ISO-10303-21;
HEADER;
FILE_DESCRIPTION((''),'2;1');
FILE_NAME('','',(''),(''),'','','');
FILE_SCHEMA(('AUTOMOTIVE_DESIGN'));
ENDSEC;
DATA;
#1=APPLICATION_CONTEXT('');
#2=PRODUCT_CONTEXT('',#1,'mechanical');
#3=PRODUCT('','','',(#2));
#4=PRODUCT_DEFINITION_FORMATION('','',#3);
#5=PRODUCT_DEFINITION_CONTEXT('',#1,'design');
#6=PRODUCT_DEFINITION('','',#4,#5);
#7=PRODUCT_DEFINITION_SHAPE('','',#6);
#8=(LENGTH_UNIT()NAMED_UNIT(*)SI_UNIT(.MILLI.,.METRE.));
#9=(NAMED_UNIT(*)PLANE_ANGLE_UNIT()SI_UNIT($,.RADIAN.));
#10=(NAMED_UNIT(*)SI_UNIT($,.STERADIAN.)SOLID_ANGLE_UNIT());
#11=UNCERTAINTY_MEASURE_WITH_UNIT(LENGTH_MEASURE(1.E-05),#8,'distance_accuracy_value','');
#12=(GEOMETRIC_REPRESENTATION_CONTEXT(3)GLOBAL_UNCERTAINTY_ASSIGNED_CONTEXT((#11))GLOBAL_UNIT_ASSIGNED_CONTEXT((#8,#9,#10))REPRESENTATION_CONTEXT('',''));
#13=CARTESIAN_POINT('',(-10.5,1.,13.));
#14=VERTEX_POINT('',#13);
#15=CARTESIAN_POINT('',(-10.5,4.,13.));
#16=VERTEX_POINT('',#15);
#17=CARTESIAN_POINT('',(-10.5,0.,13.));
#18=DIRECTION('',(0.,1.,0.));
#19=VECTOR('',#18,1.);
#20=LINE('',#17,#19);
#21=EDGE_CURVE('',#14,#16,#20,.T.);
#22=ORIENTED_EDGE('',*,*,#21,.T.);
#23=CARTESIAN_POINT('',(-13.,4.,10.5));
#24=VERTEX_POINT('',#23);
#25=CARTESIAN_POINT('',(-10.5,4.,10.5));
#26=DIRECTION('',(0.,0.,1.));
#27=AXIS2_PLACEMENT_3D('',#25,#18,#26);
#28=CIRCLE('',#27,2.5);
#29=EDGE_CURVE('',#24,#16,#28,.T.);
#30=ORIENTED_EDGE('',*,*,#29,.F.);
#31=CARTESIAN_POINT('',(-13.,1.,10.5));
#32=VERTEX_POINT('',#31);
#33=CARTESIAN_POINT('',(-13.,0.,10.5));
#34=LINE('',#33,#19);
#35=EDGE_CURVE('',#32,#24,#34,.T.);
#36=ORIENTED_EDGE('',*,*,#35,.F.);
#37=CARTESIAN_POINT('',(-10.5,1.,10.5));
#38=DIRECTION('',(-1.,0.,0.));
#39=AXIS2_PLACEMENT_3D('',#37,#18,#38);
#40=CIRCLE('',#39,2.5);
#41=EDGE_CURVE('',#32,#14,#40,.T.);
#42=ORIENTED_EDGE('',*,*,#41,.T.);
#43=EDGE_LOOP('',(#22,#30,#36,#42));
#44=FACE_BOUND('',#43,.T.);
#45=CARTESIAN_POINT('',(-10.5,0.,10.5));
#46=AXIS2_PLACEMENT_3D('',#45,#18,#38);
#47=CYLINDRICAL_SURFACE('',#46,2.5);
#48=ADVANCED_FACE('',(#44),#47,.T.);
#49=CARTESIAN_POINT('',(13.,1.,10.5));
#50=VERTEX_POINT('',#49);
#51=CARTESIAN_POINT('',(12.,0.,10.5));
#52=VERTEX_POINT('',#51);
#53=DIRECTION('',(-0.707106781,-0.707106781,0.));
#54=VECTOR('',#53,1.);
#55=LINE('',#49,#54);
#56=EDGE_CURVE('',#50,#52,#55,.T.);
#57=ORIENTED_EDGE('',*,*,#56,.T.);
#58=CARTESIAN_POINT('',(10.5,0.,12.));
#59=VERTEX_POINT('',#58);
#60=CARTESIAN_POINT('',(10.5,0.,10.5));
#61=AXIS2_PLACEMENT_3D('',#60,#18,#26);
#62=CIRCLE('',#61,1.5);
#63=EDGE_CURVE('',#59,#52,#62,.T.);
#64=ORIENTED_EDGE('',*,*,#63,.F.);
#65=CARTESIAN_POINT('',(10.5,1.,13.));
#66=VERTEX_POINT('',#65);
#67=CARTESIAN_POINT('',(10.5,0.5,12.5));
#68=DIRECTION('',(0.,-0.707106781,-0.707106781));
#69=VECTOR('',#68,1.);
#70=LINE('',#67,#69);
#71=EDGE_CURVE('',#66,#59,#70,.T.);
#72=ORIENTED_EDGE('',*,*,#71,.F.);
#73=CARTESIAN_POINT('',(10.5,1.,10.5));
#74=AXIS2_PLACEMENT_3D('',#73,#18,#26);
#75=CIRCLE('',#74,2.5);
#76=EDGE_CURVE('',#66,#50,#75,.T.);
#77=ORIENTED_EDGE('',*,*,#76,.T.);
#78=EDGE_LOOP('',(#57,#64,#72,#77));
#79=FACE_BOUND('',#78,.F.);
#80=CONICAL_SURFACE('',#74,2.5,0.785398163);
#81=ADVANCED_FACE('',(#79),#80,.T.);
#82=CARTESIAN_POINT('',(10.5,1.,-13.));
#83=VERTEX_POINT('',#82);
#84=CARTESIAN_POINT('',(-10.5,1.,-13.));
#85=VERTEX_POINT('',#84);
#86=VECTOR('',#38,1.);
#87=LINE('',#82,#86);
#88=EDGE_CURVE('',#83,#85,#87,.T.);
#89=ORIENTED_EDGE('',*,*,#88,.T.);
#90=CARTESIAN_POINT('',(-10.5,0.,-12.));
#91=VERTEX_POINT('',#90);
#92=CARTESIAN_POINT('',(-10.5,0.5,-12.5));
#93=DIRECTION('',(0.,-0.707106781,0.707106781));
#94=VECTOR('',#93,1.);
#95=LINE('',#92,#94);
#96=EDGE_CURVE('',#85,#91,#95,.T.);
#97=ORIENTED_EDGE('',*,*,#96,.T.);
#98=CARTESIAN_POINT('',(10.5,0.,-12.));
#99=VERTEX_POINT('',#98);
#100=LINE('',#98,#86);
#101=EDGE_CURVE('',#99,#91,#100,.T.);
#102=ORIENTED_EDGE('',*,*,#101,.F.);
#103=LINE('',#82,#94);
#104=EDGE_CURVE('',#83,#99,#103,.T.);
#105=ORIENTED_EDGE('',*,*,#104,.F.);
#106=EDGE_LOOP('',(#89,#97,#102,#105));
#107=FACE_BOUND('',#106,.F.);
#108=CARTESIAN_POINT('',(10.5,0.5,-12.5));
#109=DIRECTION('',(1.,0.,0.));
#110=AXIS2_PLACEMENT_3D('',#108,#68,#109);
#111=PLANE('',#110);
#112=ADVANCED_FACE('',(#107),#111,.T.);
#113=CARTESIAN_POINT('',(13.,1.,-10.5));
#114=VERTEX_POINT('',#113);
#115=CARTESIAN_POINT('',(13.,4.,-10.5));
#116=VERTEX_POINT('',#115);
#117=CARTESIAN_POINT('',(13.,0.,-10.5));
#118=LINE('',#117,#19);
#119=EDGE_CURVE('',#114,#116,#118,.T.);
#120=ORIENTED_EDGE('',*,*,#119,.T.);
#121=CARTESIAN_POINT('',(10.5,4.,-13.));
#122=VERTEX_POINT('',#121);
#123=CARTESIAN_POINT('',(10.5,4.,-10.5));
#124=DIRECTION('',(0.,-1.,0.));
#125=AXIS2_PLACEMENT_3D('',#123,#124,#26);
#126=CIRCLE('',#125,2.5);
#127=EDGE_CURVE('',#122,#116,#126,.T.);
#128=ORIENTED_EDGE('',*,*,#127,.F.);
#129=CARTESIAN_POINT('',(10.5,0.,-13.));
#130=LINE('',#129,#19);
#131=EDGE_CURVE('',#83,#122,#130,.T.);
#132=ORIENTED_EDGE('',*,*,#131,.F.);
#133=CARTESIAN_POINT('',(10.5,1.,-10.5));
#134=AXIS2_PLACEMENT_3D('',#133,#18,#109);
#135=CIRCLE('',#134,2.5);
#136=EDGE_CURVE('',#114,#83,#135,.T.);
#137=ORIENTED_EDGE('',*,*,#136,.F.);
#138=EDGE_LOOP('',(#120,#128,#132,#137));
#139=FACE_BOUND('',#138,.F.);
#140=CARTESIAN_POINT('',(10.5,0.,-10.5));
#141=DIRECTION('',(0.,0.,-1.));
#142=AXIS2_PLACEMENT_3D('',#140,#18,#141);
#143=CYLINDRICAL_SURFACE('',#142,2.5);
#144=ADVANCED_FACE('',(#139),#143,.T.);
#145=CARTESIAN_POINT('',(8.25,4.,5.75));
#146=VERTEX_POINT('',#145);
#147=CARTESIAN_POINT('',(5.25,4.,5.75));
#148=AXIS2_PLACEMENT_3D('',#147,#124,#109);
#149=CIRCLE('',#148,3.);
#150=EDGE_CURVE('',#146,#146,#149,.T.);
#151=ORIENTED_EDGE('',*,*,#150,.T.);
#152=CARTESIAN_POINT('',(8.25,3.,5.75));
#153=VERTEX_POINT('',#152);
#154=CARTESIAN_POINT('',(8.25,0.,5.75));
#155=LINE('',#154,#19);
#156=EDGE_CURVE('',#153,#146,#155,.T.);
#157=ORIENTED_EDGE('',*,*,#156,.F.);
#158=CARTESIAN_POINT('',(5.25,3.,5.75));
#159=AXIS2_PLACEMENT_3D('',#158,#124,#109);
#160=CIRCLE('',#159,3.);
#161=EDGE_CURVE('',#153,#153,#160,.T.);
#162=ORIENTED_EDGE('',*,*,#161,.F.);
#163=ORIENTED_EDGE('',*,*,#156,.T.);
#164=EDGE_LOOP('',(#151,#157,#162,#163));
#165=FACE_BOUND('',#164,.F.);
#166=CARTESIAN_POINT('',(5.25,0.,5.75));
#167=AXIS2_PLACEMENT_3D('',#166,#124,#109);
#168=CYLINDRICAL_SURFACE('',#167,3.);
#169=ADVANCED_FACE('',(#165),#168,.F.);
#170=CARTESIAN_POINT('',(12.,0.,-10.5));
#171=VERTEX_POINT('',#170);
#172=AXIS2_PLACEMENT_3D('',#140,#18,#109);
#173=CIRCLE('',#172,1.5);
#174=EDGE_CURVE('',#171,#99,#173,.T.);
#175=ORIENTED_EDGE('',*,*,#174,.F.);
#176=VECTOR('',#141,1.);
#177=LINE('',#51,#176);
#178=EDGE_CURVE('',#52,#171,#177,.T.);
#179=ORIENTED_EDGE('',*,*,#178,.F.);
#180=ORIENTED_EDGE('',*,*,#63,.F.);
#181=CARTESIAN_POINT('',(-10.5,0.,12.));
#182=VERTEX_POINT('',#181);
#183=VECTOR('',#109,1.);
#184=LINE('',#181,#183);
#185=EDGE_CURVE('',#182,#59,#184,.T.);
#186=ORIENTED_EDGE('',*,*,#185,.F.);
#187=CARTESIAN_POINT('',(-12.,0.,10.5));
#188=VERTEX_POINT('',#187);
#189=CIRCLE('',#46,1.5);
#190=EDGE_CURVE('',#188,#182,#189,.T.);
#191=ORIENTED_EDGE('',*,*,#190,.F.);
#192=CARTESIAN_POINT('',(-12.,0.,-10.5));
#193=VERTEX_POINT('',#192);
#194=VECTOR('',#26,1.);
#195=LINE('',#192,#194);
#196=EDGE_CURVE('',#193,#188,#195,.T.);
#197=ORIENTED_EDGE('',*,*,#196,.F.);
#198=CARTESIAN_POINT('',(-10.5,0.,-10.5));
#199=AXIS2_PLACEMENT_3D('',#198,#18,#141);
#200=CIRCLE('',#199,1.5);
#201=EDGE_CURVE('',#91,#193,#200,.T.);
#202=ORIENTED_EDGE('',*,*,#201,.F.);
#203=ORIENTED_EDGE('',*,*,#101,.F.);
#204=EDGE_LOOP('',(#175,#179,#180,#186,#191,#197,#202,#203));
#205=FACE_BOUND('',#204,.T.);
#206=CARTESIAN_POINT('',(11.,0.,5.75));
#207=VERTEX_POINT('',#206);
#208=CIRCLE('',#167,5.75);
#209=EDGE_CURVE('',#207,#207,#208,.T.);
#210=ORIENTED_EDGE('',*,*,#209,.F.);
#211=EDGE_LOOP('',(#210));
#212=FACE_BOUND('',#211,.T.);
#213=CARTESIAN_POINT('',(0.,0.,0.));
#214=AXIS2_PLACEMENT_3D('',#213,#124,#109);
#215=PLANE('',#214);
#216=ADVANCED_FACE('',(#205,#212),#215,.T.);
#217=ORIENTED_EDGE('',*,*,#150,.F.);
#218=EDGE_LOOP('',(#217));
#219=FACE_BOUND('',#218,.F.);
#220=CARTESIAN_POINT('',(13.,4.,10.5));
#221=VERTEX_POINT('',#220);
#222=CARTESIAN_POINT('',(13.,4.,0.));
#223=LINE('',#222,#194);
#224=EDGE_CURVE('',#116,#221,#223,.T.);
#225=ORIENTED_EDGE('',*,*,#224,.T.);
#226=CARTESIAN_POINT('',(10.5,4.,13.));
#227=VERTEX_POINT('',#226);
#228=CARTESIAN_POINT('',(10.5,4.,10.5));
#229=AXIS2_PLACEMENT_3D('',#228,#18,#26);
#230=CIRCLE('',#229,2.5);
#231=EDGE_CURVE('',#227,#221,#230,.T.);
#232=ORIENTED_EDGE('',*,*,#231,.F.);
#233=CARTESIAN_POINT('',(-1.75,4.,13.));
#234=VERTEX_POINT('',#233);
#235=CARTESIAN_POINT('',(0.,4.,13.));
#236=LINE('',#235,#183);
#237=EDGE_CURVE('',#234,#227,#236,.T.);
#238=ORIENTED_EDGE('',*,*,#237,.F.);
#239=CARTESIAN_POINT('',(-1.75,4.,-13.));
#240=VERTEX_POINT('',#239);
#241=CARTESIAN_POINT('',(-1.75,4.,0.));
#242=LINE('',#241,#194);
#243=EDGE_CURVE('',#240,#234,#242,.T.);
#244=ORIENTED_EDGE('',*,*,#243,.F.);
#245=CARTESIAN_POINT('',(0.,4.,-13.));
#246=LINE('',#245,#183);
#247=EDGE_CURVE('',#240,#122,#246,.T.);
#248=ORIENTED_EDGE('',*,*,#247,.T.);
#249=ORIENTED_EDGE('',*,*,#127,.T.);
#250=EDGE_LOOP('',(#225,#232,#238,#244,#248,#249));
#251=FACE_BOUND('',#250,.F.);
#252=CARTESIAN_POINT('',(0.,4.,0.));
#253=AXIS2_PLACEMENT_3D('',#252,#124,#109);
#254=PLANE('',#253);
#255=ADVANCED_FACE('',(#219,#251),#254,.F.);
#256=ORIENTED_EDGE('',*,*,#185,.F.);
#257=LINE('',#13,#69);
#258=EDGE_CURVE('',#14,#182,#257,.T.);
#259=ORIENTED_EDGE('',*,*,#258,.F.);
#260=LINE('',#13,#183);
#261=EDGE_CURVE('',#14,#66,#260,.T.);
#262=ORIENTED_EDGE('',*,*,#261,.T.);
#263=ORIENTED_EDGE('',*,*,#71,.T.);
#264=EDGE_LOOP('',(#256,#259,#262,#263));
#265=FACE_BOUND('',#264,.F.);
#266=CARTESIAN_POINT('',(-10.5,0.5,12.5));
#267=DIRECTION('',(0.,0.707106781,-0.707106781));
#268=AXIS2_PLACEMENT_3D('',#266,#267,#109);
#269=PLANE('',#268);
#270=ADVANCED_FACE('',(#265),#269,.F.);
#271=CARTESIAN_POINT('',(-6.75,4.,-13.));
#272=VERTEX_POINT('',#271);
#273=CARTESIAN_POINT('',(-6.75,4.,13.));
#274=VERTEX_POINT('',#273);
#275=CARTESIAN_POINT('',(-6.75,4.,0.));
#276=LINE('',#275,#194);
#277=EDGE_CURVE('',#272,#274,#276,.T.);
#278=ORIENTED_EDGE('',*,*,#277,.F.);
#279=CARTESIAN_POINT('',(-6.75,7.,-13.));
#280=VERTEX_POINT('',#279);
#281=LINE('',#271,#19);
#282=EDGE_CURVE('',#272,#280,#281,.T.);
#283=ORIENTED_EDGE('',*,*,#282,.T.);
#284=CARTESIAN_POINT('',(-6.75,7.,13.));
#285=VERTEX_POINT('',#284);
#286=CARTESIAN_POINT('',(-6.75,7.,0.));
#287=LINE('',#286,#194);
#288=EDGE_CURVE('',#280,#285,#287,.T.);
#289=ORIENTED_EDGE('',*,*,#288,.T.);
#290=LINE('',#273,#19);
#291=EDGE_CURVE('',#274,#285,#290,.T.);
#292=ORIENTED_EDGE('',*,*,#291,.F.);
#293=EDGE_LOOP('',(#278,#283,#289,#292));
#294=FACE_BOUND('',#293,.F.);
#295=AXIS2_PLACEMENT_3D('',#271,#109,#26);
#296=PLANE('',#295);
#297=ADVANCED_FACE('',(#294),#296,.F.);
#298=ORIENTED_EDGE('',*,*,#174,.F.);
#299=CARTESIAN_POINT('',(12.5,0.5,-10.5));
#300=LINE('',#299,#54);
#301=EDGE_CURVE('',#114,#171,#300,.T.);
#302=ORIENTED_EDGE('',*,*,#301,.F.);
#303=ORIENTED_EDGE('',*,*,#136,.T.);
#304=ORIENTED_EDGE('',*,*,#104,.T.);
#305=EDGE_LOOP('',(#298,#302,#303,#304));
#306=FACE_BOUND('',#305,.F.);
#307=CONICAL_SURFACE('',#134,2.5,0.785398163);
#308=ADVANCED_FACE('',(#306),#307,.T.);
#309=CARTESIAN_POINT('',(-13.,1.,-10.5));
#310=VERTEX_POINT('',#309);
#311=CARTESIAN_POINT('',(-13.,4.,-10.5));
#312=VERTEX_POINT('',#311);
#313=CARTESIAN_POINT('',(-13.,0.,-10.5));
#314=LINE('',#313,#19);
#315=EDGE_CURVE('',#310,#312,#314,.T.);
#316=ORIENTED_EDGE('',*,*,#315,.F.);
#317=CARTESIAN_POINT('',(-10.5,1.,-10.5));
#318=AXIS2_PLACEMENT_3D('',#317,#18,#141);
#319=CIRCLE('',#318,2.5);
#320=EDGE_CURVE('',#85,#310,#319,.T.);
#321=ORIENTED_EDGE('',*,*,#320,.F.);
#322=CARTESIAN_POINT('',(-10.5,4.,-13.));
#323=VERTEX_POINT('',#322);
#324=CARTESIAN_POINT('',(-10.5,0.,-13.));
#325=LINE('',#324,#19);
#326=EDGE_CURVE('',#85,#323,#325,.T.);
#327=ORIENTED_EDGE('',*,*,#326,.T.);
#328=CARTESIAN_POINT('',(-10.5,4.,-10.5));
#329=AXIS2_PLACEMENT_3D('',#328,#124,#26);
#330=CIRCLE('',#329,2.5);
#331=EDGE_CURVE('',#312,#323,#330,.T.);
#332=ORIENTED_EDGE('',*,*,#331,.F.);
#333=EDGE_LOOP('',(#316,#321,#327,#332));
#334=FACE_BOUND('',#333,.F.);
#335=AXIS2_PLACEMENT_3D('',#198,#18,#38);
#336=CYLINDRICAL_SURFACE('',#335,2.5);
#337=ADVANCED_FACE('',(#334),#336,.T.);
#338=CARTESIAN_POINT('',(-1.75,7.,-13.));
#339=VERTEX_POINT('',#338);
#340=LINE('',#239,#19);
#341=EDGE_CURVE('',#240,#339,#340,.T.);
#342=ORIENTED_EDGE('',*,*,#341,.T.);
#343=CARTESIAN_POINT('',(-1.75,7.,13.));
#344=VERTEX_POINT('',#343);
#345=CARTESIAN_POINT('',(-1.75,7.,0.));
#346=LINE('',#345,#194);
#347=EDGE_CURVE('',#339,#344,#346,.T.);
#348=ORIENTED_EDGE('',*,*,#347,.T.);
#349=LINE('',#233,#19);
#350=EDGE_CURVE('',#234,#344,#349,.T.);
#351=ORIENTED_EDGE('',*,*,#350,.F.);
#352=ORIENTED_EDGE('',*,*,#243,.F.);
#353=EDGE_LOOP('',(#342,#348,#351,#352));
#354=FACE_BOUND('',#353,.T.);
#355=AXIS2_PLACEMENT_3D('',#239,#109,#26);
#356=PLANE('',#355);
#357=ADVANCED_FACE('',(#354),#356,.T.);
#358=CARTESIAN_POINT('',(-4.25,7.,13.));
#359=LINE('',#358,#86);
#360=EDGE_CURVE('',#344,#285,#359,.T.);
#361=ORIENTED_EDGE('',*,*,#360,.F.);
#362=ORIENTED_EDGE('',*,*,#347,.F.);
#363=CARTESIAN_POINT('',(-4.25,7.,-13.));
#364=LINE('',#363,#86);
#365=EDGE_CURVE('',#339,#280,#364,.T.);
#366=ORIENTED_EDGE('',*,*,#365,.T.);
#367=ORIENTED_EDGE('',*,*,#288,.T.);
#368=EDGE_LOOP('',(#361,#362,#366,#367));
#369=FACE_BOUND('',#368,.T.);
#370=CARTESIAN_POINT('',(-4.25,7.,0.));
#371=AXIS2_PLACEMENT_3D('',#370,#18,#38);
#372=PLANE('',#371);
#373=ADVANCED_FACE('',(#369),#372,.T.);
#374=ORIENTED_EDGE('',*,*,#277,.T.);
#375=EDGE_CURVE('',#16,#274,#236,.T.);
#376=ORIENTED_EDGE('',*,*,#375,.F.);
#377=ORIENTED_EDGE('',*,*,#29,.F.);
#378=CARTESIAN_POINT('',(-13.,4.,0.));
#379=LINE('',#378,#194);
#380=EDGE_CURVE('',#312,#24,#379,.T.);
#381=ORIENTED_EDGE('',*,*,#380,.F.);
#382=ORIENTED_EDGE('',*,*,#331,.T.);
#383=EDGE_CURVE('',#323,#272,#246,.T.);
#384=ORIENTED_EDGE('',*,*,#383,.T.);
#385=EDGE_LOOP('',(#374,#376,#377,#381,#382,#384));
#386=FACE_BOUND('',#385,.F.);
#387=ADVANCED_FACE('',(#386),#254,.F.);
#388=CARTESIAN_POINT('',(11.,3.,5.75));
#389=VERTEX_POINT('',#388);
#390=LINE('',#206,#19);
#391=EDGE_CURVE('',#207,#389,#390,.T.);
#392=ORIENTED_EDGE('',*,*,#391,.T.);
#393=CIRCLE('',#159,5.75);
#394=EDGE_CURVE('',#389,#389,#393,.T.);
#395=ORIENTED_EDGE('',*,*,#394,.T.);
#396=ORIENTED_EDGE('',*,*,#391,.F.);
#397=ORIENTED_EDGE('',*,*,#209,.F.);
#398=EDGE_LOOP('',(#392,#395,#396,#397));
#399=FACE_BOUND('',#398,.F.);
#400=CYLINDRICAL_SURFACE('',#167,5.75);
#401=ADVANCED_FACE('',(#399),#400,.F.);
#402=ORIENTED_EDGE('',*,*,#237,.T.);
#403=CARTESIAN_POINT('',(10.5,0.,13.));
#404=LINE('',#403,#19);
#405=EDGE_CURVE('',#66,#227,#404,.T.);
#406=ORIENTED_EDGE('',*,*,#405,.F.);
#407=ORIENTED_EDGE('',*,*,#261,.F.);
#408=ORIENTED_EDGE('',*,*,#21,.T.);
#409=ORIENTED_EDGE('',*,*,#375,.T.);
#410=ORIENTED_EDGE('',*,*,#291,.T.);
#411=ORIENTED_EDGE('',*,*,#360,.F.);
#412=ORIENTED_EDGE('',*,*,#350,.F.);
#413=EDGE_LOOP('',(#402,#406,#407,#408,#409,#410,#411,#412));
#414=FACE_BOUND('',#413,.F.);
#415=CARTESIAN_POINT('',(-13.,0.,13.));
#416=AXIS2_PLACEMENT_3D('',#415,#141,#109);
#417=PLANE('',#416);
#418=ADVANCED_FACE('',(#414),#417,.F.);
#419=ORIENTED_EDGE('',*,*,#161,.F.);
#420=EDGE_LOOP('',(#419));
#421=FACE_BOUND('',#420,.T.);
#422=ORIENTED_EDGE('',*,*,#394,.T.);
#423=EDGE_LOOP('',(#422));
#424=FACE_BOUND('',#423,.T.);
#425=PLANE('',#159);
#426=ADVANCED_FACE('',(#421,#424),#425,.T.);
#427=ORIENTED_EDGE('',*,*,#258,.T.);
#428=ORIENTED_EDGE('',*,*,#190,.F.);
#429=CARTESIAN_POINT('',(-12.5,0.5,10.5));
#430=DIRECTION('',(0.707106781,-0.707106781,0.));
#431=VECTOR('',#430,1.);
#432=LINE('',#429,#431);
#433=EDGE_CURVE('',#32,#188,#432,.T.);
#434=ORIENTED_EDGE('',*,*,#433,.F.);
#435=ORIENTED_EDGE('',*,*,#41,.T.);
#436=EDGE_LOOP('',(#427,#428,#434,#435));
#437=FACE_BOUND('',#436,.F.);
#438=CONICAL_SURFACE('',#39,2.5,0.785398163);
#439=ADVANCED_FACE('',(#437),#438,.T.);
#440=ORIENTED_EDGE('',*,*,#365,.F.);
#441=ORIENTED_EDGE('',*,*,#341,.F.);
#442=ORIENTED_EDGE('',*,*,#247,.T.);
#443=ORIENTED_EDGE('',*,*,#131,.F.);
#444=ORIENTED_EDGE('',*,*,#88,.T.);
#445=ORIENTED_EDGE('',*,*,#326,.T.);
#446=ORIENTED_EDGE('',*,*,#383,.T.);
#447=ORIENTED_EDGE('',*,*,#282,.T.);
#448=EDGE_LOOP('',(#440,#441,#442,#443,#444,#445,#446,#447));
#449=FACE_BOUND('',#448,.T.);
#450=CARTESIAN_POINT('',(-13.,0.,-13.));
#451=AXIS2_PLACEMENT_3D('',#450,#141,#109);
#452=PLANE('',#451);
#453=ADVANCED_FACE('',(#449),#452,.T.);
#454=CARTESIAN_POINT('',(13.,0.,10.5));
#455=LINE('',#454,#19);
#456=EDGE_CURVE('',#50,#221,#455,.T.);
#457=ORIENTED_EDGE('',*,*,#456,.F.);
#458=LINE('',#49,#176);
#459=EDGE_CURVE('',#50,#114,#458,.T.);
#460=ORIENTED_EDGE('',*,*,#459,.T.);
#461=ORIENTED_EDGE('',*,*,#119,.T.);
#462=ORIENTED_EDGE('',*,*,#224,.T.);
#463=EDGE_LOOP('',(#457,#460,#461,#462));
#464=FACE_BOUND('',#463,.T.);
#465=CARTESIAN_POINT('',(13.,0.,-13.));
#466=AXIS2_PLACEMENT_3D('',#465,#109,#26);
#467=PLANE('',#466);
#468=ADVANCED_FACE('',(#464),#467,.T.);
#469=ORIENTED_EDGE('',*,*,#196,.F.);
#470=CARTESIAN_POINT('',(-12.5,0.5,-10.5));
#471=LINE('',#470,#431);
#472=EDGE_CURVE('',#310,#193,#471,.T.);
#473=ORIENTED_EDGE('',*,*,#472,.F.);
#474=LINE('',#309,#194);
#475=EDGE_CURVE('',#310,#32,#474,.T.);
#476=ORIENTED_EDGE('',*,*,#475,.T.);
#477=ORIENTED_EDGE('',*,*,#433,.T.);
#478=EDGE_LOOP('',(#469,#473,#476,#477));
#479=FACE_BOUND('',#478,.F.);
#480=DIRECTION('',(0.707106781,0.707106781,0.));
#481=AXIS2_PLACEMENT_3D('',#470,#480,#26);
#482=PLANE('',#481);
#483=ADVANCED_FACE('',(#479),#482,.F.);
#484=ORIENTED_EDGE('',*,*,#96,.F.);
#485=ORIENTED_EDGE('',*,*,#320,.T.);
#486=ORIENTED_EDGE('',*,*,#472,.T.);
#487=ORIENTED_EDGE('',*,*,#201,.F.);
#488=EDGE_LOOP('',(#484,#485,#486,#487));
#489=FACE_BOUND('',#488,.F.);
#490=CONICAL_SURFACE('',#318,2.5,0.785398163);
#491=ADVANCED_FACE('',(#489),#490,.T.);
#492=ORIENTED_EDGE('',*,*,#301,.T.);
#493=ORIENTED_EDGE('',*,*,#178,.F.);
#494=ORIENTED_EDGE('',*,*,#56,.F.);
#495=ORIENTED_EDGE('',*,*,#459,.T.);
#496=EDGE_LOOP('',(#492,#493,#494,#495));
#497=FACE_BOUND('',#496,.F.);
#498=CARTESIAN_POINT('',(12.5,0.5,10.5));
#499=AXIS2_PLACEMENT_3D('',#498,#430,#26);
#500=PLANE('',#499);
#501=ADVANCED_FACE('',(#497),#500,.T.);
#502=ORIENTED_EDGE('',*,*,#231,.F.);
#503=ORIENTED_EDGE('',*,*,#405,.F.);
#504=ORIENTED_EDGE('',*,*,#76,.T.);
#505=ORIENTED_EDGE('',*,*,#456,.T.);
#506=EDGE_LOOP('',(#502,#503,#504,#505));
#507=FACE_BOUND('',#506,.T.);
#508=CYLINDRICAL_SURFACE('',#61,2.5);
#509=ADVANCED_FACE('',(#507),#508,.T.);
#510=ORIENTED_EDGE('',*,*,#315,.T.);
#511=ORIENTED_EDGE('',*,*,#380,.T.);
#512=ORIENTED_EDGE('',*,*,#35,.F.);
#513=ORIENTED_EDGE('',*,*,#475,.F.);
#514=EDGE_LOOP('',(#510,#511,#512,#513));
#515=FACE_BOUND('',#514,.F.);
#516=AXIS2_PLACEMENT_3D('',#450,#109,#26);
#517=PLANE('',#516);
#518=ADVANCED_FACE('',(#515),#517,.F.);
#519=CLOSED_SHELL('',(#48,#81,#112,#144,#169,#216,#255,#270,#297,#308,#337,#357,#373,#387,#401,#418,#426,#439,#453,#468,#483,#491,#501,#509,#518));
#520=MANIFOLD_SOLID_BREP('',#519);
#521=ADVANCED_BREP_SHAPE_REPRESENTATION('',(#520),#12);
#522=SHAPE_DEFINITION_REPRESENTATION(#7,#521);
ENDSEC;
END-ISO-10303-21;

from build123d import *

# Parameters (mm, degrees)
F0_W     = 26
F0_H     = 26
F1_DEPTH = 4
F2_W     = 5
F2_H     = 26
F3_DEPTH = 3
F4_R     = 2.5
F5_R     = 3
F6_DEPTH = 25
F7_R     = 5.75
F8_DEPTH = 3
F9_SIZE  = 1


with BuildPart() as f1:
    # F0 (on Front) → F1 (new body)
    with BuildSketch(Plane.XZ):
        Rectangle(F0_W, F0_H)
    extrude(amount=-F1_DEPTH)

    # F2 (on face) → F3 (join)
    with BuildSketch(Plane(origin=(0, 4, 0), x_dir=(-1, 0, 0), z_dir=(0, 1, 0))):
        with Locations((4.25, 0)):
            Rectangle(F2_W, F2_H)
    extrude(amount=F3_DEPTH)

    # F4
    f4_edges = [f1.edges().sort_by_distance(p)[0] for p in [
        (-13, 2, 13),
        (-13, 2, -13),
        (13, 2, 13),
        (13, 2, -13),
    ]]
    fillet(f4_edges, radius=F4_R)

    # F5 (on face) → F6 (cut)
    with BuildSketch(Plane.XZ):
        with Locations((5.25, 5.75)):
            Circle(F5_R)
    extrude(amount=-F6_DEPTH, mode=Mode.SUBTRACT)

    # F7 (on face) → F8 (cut)
    with BuildSketch(Plane.XZ):
        with Locations((5.25, 5.75)):
            Circle(F7_R)
    extrude(amount=-F8_DEPTH, mode=Mode.SUBTRACT)

    # F9
    f9_edges = [f1.edges().sort_by_distance(p)[0] for p in [
        (-13, 0, 0),
    ]]
    chamfer(f9_edges, length=F9_SIZE)


solid = f1.part
